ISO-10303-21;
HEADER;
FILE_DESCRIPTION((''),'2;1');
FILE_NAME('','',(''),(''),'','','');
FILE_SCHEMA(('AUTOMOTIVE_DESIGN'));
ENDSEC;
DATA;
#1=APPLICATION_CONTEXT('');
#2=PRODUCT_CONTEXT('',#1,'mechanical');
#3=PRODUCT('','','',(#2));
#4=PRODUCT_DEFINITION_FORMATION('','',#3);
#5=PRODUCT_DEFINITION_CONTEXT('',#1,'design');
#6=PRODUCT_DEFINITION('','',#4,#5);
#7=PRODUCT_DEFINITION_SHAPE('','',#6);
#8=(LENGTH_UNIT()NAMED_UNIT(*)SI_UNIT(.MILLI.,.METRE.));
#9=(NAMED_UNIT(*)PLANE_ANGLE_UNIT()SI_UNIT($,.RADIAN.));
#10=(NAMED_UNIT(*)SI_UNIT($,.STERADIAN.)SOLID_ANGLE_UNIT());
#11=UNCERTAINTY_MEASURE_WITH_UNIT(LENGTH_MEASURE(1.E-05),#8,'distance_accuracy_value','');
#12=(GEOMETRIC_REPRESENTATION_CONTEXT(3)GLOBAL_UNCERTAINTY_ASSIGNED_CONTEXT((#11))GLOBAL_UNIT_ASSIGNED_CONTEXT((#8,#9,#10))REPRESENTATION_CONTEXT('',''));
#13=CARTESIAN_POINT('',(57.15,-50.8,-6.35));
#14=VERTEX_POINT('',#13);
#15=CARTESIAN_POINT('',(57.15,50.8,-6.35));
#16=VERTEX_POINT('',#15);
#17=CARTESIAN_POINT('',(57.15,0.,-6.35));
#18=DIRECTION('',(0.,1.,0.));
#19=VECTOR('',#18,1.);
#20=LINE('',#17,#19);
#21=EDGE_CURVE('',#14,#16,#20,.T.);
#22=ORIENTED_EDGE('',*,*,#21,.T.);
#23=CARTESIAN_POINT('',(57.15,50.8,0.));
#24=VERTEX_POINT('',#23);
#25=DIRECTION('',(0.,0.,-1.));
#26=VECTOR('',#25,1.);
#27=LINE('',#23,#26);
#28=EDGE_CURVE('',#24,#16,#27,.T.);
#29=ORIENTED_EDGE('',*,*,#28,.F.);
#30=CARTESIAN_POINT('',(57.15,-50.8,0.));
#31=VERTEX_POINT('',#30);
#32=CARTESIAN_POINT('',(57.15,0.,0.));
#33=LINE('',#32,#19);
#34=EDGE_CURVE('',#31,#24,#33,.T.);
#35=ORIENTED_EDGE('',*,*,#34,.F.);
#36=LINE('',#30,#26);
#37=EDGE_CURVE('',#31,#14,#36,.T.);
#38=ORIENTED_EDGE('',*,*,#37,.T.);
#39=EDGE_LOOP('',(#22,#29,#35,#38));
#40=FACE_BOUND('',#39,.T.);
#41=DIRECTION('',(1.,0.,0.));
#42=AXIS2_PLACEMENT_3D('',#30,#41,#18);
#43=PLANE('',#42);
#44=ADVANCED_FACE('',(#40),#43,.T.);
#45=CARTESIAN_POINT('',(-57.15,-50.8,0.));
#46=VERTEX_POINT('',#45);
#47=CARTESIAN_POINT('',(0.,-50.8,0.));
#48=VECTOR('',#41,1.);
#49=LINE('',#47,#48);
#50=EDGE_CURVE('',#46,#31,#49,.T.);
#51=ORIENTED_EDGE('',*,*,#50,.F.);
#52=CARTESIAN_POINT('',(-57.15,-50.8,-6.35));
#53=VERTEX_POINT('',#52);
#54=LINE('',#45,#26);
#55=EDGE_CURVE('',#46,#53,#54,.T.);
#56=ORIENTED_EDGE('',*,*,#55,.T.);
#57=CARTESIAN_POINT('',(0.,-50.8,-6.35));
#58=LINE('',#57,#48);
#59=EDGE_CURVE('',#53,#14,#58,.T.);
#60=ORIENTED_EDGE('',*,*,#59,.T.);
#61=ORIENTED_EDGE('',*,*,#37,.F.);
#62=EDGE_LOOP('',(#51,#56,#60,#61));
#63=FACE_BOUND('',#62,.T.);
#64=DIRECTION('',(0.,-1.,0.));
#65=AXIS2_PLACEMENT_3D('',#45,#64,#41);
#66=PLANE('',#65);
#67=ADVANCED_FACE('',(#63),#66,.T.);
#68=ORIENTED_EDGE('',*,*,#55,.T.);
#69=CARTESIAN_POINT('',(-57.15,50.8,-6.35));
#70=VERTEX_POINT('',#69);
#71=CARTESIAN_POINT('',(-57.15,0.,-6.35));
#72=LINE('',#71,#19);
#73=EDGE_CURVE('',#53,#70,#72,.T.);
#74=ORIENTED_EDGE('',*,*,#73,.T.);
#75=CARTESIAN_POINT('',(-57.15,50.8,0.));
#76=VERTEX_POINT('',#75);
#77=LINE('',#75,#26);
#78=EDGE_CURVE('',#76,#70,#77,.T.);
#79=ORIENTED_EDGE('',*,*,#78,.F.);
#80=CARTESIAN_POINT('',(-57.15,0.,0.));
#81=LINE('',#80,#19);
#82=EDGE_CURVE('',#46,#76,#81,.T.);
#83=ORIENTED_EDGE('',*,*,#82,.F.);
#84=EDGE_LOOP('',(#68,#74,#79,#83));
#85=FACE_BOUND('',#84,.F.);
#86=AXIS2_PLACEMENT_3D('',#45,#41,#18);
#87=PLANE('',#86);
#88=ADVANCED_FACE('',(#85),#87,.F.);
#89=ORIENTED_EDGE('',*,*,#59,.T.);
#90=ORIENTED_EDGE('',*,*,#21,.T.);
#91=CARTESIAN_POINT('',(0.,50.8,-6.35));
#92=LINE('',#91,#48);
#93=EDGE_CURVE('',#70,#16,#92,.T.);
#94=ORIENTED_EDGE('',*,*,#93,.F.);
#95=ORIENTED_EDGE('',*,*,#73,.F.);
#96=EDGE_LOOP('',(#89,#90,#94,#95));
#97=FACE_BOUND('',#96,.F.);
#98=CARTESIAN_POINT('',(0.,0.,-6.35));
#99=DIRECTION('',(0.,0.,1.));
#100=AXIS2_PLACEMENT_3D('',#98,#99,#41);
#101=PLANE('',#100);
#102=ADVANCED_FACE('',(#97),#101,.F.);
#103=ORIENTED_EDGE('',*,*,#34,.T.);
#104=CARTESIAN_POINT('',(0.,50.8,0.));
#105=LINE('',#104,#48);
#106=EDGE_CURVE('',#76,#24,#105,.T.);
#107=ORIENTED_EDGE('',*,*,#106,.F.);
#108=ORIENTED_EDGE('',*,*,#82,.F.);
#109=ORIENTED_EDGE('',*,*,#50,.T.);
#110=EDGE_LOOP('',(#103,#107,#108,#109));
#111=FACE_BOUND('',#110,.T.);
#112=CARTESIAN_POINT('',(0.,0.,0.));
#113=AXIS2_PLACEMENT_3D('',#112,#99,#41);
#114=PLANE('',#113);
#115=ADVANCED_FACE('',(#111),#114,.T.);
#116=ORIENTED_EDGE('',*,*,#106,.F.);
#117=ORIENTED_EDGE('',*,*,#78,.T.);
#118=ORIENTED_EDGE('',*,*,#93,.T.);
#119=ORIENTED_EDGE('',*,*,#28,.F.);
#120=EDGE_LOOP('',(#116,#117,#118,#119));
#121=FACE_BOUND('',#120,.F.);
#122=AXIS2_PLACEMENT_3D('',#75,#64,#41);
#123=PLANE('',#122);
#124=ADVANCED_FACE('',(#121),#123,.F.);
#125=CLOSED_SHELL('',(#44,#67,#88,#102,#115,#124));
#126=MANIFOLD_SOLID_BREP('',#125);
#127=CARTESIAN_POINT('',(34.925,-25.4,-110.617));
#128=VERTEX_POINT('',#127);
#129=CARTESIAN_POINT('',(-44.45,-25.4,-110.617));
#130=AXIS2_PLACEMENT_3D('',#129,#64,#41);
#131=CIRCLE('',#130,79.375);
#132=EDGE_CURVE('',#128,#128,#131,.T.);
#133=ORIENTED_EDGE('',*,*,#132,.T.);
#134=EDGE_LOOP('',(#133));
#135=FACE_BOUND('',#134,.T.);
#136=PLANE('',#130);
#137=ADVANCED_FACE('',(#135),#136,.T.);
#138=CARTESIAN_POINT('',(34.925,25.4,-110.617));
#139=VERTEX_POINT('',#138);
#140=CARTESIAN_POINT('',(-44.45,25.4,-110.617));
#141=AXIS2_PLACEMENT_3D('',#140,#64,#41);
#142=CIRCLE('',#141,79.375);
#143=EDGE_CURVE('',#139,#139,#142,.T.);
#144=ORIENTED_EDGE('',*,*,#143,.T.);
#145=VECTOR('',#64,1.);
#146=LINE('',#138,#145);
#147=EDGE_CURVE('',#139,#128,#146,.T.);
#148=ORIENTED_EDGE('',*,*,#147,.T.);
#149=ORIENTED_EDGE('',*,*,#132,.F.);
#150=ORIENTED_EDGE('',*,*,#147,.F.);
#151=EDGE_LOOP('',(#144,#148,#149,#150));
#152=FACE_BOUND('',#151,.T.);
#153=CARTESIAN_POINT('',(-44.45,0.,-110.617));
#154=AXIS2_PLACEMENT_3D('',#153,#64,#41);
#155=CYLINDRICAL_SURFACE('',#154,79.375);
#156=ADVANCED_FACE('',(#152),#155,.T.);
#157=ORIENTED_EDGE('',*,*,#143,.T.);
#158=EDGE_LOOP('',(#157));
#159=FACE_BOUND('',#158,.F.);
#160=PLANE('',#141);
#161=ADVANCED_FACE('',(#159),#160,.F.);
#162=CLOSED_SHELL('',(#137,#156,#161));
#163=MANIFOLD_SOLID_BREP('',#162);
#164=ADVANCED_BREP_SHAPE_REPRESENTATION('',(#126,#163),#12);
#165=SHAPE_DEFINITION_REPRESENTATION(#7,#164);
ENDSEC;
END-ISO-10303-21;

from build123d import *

# Parameters (mm, degrees)
F0_R     = 79.375
F1_DEPTH = 25.4
F2_W     = 114.3
F2_H     = 101.6
F3_DEPTH = 6.35


with BuildPart() as f1:
    # F0 (on Front) → F1 (new body, symmetric)
    with BuildSketch(Plane.XZ):
        with Locations((-44.45, -110.617)):
            Circle(F0_R)
    extrude(amount=F1_DEPTH, both=True)


with BuildPart() as f3:
    # F2 (on Top) → F3 (new body)
    with BuildSketch(Plane.XY):
        Rectangle(F2_W, F2_H)
    extrude(amount=-F3_DEPTH)


solid = Compound([f1.part, f3.part])
